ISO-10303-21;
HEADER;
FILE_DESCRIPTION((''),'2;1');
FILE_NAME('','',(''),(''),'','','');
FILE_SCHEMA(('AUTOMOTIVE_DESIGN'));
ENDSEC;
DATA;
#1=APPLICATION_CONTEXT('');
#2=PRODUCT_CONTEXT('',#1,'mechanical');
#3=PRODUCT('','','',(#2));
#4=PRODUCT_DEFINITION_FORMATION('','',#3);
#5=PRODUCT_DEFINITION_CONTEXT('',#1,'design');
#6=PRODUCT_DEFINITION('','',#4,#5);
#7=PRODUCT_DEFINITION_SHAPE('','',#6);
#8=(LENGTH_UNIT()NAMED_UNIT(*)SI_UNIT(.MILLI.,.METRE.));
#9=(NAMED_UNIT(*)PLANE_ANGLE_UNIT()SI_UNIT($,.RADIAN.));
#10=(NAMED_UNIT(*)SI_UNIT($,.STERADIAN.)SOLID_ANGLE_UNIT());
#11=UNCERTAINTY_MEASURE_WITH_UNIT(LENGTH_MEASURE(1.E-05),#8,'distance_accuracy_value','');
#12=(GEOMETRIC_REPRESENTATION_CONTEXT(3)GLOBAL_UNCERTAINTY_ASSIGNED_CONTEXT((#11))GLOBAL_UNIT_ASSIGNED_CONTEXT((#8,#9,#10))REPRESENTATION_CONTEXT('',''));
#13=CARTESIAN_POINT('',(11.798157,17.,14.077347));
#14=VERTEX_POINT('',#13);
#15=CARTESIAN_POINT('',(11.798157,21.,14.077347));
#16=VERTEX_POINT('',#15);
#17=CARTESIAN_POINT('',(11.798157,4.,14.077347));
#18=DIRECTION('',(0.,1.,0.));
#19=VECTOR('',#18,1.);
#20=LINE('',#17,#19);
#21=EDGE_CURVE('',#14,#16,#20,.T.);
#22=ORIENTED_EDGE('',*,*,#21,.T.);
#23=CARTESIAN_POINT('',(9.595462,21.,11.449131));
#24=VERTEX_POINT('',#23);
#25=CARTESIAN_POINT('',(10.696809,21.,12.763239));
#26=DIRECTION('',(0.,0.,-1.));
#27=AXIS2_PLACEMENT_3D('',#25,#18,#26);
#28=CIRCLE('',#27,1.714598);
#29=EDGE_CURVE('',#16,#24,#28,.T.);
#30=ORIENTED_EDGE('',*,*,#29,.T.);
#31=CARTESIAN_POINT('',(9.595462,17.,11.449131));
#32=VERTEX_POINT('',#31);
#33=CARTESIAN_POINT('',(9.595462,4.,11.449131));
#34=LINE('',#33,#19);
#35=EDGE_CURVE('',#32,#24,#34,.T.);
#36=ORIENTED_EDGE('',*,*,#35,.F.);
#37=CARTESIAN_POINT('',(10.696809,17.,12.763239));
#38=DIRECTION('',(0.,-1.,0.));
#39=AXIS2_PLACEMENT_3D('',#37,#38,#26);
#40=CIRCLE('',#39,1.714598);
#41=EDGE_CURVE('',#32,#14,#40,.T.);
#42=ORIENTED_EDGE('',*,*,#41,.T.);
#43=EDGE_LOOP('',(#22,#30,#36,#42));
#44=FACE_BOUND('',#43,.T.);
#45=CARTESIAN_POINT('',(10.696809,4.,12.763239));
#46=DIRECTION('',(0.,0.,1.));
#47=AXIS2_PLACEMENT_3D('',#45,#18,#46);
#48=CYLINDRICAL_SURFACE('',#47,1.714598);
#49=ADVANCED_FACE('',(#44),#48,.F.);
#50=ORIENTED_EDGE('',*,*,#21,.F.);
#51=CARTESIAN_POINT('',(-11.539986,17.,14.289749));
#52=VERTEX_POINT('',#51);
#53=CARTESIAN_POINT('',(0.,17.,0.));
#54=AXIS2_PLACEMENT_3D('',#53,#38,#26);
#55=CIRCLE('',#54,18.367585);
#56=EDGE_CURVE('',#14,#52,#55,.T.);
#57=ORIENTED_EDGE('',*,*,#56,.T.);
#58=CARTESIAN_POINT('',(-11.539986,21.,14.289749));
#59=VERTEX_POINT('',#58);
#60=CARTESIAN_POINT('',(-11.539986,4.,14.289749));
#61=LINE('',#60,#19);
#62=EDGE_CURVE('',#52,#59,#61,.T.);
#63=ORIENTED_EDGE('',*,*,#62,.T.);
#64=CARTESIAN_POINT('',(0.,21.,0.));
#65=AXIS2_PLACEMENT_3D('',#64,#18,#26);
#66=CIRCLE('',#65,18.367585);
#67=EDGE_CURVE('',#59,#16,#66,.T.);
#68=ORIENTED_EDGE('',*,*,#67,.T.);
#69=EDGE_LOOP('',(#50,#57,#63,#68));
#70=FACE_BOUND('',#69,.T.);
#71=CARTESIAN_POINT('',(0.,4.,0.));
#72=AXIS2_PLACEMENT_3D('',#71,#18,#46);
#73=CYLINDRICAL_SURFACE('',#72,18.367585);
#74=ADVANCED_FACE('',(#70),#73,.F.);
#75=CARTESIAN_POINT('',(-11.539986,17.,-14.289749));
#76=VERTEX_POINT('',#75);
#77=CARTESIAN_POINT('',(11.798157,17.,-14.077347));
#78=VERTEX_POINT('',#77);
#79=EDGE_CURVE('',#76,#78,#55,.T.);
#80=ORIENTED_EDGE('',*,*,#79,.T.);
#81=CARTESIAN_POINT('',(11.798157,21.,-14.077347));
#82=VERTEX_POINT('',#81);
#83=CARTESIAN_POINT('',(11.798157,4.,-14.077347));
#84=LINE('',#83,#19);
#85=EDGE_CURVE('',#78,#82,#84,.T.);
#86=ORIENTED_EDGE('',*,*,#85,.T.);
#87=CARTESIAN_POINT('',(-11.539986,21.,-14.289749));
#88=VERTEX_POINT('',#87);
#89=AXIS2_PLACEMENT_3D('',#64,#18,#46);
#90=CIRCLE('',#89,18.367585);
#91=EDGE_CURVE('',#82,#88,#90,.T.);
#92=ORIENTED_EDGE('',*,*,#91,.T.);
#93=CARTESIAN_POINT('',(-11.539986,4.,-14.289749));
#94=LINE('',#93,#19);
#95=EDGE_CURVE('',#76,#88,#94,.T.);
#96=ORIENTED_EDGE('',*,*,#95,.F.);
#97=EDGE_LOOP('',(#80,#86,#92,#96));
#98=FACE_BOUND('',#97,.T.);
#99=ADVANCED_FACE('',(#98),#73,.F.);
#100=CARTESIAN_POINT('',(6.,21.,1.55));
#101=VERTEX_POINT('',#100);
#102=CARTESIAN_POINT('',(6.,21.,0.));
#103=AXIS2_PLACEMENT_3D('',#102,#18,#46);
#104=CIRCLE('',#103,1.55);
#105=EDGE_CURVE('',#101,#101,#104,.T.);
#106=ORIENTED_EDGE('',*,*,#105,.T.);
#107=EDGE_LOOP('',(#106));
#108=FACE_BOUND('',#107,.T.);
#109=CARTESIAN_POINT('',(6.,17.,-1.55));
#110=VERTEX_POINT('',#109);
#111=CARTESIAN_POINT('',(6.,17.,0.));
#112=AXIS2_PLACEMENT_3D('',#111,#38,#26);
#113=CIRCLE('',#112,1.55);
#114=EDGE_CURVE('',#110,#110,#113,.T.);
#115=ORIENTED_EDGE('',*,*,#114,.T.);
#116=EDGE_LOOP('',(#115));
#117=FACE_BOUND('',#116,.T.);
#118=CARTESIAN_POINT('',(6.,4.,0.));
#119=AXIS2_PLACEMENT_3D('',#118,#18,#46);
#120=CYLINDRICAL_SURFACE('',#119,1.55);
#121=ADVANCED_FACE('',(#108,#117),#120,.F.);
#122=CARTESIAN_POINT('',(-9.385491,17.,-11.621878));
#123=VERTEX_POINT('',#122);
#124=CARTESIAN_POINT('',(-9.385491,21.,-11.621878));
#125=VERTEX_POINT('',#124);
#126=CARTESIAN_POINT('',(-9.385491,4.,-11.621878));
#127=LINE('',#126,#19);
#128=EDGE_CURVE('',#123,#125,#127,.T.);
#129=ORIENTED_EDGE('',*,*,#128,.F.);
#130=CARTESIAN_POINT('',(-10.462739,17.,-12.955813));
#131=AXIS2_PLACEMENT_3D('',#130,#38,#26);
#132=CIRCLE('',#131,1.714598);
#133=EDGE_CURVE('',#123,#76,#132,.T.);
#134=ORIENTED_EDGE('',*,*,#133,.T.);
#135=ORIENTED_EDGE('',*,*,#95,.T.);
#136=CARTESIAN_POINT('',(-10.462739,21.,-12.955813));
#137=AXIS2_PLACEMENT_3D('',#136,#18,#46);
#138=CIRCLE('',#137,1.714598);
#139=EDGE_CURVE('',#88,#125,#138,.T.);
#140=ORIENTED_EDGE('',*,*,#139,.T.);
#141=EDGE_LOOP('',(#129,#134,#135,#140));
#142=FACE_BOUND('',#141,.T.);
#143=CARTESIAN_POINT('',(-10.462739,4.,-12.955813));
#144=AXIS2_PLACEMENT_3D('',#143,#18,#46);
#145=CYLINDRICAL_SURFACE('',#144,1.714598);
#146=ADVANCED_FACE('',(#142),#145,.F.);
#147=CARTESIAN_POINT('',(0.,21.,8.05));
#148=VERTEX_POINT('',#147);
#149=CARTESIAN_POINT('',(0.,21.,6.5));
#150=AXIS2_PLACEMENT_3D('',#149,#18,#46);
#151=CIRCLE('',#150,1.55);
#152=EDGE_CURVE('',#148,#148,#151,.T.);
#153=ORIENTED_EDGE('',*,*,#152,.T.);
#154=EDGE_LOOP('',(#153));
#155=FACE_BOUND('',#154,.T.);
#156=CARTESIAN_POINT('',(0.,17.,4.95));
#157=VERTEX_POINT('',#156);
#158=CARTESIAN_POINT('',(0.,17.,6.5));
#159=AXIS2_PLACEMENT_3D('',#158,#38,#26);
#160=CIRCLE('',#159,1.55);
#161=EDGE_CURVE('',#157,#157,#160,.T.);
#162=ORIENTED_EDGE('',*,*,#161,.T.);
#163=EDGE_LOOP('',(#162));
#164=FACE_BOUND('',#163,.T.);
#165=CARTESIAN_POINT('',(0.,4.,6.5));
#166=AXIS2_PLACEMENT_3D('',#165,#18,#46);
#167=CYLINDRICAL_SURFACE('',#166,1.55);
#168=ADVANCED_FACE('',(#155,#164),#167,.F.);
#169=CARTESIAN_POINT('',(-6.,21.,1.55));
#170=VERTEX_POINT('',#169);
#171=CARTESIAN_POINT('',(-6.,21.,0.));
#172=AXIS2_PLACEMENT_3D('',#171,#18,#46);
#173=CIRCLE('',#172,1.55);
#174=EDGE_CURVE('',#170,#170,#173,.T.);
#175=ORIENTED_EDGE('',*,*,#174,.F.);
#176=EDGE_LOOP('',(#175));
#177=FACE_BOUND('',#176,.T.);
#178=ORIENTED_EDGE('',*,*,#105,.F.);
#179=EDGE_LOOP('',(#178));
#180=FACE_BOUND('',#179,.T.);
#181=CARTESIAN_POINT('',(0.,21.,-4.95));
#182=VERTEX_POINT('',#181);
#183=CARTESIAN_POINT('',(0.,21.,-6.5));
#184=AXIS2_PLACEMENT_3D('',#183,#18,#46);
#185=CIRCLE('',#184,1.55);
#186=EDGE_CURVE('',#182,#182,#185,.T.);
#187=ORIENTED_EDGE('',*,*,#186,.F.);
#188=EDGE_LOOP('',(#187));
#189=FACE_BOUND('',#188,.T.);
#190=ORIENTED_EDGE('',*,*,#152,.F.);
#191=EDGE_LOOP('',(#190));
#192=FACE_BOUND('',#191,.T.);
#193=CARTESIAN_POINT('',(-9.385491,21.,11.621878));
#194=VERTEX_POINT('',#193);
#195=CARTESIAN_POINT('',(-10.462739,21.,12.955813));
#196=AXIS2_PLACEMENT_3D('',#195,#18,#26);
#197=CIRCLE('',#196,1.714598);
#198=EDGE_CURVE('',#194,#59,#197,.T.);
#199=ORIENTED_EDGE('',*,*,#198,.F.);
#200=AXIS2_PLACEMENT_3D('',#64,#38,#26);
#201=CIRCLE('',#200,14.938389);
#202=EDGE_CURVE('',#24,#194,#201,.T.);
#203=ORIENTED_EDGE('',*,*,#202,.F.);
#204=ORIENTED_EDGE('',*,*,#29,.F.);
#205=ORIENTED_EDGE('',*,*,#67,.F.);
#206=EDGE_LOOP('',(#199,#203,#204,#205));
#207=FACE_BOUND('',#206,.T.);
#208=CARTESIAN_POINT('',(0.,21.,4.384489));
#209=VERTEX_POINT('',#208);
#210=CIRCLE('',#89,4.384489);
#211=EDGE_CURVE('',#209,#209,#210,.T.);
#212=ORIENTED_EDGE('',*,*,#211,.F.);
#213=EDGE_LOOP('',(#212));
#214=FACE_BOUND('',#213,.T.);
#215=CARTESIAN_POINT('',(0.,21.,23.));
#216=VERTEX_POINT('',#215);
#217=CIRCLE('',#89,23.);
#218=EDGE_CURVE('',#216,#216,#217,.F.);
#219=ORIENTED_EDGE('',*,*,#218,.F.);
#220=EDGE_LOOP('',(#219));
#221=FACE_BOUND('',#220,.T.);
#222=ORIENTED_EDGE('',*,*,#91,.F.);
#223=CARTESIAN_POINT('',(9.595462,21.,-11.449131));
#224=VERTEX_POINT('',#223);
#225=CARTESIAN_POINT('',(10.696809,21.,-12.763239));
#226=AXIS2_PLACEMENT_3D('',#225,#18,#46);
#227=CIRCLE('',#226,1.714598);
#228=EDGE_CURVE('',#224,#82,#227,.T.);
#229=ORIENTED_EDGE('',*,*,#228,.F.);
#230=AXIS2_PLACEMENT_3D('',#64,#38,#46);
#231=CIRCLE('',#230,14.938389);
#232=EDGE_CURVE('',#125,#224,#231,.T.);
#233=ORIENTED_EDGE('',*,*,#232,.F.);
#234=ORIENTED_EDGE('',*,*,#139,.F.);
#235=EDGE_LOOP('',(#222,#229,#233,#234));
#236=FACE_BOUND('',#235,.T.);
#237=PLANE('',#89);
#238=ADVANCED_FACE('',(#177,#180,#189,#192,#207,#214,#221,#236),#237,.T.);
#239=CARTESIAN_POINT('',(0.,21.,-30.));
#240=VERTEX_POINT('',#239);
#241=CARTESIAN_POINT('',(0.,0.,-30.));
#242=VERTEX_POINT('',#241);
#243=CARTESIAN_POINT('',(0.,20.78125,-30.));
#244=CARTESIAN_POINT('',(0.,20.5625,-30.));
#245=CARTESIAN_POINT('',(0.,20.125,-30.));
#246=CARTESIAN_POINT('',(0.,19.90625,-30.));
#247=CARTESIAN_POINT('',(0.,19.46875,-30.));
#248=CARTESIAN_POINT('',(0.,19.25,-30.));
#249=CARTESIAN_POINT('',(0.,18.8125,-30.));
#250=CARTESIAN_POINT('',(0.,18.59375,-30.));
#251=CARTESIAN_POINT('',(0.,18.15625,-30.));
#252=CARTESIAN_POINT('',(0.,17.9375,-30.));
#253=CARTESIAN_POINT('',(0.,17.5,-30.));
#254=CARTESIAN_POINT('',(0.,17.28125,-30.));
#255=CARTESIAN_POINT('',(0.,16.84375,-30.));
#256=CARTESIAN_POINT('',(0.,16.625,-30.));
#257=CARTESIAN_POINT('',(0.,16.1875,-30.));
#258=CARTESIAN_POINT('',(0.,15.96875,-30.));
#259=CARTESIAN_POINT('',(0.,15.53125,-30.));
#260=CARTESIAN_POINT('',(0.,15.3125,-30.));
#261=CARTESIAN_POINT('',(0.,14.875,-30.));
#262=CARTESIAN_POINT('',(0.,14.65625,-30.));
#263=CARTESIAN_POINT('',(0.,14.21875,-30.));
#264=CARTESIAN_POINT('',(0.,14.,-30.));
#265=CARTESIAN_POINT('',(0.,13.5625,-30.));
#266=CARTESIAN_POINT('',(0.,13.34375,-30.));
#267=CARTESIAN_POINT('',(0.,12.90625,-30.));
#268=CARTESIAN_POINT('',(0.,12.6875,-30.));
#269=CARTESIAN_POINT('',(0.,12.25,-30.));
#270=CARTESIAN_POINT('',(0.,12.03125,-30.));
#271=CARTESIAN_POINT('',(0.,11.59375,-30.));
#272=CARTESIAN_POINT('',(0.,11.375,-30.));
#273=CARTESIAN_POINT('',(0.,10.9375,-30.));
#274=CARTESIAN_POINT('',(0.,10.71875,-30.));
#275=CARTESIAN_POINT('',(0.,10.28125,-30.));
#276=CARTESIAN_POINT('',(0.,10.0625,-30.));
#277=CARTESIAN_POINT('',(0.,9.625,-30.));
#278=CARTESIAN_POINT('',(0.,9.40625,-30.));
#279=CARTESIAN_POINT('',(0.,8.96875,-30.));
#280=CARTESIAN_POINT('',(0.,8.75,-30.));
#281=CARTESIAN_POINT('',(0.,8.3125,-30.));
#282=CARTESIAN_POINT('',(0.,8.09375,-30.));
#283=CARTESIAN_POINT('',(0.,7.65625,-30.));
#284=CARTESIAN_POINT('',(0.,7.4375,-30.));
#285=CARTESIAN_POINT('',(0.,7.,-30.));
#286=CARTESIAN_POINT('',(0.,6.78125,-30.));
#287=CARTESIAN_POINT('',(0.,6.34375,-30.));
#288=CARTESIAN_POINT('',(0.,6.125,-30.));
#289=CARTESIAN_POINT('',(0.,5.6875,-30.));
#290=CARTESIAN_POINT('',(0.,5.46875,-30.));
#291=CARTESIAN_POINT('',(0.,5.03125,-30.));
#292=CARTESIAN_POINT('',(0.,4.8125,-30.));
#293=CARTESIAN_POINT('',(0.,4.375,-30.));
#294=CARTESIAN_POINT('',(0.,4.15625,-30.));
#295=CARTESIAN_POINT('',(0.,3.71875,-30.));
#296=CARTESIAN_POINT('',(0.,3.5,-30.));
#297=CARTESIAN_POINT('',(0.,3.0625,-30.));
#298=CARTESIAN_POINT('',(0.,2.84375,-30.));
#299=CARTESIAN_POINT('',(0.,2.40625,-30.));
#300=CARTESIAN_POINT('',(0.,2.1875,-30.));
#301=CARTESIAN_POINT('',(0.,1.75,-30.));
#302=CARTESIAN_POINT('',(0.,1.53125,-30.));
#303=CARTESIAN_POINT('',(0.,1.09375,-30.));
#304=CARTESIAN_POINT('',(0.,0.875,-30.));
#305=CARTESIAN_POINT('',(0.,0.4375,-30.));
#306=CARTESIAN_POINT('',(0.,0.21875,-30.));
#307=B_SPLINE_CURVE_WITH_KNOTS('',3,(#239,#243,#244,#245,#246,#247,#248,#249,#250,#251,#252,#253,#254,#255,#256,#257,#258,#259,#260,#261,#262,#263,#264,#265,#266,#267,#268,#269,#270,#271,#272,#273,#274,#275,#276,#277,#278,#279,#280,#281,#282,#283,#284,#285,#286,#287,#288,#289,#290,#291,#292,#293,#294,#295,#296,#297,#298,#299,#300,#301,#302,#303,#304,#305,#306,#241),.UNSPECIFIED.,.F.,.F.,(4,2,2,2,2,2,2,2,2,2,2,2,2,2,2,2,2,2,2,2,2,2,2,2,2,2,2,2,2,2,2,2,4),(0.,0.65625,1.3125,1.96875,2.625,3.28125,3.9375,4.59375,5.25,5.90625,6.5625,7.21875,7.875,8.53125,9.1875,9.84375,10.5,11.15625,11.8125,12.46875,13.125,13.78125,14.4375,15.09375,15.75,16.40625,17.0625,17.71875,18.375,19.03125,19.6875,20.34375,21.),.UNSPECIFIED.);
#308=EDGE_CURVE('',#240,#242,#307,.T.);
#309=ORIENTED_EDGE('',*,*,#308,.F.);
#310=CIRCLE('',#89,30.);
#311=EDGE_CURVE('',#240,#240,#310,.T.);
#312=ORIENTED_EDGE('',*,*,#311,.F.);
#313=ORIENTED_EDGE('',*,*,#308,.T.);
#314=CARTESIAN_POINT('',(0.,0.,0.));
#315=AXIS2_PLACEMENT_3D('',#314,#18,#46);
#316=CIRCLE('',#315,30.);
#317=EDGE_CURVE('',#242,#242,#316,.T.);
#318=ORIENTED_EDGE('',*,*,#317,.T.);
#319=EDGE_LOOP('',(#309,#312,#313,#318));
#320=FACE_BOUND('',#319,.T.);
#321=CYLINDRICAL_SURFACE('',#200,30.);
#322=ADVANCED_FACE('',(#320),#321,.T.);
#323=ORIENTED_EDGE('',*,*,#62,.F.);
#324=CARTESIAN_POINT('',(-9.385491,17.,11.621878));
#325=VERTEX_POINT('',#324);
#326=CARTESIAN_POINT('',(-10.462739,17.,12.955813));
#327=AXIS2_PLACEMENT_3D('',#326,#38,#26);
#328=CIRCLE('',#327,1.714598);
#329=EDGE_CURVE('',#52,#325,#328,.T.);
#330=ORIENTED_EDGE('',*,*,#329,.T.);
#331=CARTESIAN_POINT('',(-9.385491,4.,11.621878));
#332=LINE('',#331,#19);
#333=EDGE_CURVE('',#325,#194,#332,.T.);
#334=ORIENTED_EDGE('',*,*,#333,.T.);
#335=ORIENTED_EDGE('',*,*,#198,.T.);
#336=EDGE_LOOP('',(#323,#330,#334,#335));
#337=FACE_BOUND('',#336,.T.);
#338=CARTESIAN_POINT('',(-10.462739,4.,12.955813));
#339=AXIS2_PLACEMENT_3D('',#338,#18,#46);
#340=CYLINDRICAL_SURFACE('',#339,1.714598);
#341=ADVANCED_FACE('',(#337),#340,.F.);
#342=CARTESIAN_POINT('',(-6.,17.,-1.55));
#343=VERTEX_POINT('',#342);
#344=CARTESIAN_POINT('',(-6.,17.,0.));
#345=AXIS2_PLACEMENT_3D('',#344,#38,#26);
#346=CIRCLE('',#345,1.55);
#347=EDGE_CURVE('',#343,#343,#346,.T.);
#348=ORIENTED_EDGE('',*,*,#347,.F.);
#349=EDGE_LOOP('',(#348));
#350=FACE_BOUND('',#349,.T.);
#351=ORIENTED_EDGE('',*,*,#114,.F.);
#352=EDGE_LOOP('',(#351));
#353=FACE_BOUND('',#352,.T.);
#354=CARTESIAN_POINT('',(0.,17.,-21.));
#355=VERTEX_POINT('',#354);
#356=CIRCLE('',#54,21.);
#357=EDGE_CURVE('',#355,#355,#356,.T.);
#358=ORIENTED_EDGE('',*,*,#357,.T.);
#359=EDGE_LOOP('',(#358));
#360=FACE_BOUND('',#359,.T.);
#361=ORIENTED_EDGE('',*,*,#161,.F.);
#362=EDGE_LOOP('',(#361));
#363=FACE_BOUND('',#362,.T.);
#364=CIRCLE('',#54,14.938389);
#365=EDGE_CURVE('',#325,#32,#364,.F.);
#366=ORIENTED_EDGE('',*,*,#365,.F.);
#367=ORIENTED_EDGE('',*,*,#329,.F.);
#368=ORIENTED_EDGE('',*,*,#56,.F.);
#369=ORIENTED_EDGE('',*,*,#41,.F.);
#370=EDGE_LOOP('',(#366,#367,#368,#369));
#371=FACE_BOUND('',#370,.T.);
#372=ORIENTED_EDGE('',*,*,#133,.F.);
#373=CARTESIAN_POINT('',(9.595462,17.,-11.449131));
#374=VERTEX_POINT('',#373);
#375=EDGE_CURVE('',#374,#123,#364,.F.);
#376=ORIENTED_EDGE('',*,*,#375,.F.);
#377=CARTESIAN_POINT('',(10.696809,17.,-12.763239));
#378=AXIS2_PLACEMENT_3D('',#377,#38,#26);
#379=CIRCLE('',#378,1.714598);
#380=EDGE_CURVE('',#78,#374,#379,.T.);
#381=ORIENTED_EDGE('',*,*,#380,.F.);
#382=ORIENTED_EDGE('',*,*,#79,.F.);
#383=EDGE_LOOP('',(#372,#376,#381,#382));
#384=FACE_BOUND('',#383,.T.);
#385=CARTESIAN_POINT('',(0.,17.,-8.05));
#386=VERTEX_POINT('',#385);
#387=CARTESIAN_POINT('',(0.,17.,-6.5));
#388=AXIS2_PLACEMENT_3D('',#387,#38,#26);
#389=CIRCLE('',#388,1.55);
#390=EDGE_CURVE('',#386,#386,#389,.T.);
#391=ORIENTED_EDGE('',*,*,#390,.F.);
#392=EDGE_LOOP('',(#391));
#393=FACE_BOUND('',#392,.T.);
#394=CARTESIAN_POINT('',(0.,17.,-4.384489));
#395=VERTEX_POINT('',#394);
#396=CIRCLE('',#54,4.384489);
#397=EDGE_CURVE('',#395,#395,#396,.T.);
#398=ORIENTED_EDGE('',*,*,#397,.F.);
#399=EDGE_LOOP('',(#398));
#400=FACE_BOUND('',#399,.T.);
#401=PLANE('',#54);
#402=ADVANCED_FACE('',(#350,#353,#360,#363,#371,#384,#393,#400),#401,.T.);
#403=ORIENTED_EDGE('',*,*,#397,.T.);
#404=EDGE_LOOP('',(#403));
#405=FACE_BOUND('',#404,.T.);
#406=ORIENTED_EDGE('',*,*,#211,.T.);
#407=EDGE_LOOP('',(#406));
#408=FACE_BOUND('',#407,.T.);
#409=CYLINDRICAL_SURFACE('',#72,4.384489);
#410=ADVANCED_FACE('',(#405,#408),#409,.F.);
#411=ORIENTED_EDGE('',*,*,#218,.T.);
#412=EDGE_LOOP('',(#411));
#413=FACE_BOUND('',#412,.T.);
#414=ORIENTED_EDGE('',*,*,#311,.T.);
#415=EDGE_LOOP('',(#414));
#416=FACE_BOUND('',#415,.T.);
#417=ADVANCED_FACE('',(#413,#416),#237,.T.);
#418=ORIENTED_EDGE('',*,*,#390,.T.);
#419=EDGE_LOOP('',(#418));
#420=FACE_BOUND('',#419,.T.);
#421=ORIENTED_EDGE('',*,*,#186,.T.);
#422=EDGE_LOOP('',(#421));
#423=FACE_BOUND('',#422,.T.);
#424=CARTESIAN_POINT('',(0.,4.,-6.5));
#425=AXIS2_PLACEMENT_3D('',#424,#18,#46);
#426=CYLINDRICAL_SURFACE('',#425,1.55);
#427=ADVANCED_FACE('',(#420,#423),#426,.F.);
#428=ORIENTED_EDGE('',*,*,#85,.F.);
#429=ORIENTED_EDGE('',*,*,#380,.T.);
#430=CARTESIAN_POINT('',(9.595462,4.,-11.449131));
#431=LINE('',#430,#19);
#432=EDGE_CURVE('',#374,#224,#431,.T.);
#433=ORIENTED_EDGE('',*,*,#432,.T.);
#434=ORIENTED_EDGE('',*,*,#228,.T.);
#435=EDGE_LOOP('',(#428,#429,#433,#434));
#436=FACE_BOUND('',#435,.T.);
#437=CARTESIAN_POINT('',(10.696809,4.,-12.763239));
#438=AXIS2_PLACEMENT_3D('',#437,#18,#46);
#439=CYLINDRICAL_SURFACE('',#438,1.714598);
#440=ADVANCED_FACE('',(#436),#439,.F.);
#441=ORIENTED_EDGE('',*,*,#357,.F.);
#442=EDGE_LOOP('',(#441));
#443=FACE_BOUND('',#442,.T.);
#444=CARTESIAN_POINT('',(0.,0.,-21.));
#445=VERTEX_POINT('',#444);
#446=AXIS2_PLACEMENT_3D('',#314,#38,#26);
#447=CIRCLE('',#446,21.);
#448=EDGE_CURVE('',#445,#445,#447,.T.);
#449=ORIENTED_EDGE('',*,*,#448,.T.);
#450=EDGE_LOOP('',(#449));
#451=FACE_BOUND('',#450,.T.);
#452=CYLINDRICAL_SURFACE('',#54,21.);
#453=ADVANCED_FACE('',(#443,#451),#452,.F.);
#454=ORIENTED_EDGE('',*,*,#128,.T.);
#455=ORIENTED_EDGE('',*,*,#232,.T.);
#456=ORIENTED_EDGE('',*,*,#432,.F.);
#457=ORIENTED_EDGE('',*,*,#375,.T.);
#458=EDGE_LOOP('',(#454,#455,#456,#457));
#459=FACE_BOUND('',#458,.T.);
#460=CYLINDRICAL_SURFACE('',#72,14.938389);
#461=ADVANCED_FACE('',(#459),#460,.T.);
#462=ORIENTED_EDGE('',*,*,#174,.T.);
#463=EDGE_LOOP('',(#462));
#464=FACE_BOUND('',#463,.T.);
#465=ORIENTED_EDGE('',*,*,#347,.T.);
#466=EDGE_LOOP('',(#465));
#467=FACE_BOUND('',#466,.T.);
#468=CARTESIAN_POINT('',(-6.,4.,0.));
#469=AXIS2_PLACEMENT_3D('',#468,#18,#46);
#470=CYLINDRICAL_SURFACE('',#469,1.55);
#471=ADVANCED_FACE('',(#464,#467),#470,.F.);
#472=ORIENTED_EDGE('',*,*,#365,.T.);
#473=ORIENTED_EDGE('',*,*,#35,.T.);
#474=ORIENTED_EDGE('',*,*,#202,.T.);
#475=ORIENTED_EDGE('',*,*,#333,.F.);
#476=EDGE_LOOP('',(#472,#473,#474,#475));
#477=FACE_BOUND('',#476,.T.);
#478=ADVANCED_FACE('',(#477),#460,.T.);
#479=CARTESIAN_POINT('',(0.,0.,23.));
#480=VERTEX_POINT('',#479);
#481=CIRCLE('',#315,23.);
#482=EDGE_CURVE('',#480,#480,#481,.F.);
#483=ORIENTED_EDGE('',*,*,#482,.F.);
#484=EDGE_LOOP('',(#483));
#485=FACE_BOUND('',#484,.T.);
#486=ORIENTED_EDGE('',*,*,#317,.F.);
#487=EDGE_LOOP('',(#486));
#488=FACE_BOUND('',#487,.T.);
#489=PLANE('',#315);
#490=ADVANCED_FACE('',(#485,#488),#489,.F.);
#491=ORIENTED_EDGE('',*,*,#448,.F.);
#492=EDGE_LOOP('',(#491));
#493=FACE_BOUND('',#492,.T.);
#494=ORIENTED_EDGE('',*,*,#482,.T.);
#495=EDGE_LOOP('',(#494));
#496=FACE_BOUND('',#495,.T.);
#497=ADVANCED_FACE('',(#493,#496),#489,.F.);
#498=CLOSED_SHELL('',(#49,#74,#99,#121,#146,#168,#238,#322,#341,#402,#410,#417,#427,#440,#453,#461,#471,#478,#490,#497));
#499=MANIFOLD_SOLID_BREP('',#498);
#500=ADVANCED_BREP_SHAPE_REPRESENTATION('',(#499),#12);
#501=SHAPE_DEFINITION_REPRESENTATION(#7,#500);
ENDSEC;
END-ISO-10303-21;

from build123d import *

# Parameters (mm, degrees)
SKETCH_1_R          = 30
EXTRUDE_1_DEPTH     = 21
SKETCH_2_R          = 21
CUT_EXTRUDE_1_DEPTH = 17
SKETCH_4_R          = 1.55
SKETCH_4_R_2        = 4.384489401
CUT_EXTRUDE_3_DEPTH = 17


with BuildPart() as part:
    # 草图1 → 凸台-拉伸1 (new body)
    with BuildSketch(Plane(origin=(0, 0, 0), x_dir=(1, 0, 0), z_dir=(0, 1, 0))):
        with Locations(Location((0, 0, 0), (0, 0, 90))):
            Circle(SKETCH_1_R)
    extrude(amount=EXTRUDE_1_DEPTH)

    # 草图2 → 切除-拉伸1 (cut)
    with BuildSketch(Plane.XZ):
        with Locations(Location((0, 0, 0), (0, 0, 270))):
            Circle(SKETCH_2_R)
    extrude(amount=-CUT_EXTRUDE_1_DEPTH, mode=Mode.SUBTRACT)

    # 草图4 → 切除-拉伸3 (cut)
    with BuildSketch(Plane(origin=(0, 21, 0), x_dir=(1, 0, 0), z_dir=(0, 1, 0))):
        with Locations(Location((-6, 0, 0), (0, 0, 270))):
            Circle(SKETCH_4_R)
        with Locations(Location((0, 6.5, 0), (0, 0, 270))):
            Circle(SKETCH_4_R)
        with Locations(Location((6, 0, 0), (0, 0, 270))):
            Circle(SKETCH_4_R)
        with Locations(Location((0, -6.5, 0), (0, 0, 270))):
            Circle(SKETCH_4_R)
        with Locations(Location((0, 0, 0), (0, 0, 270))):
            Circle(SKETCH_4_R_2)
        with BuildLine():
            ThreePointArc((11.79815708, 14.077346516), (0.167157726, 18.366824813), (-11.539986211, 14.289748551))
            ThreePointArc((-11.539986211, 14.289748551), (-11.796674112, 11.878565481), (-9.385491043, 11.62187758))
            ThreePointArc((-9.385491043, 11.62187758), (0.135949672, 14.93777086), (9.595461863, 11.449130632))
            ThreePointArc((9.595461863, 11.449130632), (12.010917413, 11.661890965), (11.79815708, 14.077346516))
        make_face()
        with BuildLine():
            ThreePointArc((11.79815708, -14.077346516), (0.167157726, -18.366824813), (-11.539986211, -14.289748551))
            ThreePointArc((-11.539986211, -14.289748551), (-11.796674112, -11.878565481), (-9.385491043, -11.62187758))
            ThreePointArc((-9.385491043, -11.62187758), (0.135949672, -14.93777086), (9.595461863, -11.449130632))
            ThreePointArc((9.595461863, -11.449130632), (12.010917413, -11.661890965), (11.79815708, -14.077346516))
        make_face()
    extrude(amount=-CUT_EXTRUDE_3_DEPTH, mode=Mode.SUBTRACT)


solid = part.part
